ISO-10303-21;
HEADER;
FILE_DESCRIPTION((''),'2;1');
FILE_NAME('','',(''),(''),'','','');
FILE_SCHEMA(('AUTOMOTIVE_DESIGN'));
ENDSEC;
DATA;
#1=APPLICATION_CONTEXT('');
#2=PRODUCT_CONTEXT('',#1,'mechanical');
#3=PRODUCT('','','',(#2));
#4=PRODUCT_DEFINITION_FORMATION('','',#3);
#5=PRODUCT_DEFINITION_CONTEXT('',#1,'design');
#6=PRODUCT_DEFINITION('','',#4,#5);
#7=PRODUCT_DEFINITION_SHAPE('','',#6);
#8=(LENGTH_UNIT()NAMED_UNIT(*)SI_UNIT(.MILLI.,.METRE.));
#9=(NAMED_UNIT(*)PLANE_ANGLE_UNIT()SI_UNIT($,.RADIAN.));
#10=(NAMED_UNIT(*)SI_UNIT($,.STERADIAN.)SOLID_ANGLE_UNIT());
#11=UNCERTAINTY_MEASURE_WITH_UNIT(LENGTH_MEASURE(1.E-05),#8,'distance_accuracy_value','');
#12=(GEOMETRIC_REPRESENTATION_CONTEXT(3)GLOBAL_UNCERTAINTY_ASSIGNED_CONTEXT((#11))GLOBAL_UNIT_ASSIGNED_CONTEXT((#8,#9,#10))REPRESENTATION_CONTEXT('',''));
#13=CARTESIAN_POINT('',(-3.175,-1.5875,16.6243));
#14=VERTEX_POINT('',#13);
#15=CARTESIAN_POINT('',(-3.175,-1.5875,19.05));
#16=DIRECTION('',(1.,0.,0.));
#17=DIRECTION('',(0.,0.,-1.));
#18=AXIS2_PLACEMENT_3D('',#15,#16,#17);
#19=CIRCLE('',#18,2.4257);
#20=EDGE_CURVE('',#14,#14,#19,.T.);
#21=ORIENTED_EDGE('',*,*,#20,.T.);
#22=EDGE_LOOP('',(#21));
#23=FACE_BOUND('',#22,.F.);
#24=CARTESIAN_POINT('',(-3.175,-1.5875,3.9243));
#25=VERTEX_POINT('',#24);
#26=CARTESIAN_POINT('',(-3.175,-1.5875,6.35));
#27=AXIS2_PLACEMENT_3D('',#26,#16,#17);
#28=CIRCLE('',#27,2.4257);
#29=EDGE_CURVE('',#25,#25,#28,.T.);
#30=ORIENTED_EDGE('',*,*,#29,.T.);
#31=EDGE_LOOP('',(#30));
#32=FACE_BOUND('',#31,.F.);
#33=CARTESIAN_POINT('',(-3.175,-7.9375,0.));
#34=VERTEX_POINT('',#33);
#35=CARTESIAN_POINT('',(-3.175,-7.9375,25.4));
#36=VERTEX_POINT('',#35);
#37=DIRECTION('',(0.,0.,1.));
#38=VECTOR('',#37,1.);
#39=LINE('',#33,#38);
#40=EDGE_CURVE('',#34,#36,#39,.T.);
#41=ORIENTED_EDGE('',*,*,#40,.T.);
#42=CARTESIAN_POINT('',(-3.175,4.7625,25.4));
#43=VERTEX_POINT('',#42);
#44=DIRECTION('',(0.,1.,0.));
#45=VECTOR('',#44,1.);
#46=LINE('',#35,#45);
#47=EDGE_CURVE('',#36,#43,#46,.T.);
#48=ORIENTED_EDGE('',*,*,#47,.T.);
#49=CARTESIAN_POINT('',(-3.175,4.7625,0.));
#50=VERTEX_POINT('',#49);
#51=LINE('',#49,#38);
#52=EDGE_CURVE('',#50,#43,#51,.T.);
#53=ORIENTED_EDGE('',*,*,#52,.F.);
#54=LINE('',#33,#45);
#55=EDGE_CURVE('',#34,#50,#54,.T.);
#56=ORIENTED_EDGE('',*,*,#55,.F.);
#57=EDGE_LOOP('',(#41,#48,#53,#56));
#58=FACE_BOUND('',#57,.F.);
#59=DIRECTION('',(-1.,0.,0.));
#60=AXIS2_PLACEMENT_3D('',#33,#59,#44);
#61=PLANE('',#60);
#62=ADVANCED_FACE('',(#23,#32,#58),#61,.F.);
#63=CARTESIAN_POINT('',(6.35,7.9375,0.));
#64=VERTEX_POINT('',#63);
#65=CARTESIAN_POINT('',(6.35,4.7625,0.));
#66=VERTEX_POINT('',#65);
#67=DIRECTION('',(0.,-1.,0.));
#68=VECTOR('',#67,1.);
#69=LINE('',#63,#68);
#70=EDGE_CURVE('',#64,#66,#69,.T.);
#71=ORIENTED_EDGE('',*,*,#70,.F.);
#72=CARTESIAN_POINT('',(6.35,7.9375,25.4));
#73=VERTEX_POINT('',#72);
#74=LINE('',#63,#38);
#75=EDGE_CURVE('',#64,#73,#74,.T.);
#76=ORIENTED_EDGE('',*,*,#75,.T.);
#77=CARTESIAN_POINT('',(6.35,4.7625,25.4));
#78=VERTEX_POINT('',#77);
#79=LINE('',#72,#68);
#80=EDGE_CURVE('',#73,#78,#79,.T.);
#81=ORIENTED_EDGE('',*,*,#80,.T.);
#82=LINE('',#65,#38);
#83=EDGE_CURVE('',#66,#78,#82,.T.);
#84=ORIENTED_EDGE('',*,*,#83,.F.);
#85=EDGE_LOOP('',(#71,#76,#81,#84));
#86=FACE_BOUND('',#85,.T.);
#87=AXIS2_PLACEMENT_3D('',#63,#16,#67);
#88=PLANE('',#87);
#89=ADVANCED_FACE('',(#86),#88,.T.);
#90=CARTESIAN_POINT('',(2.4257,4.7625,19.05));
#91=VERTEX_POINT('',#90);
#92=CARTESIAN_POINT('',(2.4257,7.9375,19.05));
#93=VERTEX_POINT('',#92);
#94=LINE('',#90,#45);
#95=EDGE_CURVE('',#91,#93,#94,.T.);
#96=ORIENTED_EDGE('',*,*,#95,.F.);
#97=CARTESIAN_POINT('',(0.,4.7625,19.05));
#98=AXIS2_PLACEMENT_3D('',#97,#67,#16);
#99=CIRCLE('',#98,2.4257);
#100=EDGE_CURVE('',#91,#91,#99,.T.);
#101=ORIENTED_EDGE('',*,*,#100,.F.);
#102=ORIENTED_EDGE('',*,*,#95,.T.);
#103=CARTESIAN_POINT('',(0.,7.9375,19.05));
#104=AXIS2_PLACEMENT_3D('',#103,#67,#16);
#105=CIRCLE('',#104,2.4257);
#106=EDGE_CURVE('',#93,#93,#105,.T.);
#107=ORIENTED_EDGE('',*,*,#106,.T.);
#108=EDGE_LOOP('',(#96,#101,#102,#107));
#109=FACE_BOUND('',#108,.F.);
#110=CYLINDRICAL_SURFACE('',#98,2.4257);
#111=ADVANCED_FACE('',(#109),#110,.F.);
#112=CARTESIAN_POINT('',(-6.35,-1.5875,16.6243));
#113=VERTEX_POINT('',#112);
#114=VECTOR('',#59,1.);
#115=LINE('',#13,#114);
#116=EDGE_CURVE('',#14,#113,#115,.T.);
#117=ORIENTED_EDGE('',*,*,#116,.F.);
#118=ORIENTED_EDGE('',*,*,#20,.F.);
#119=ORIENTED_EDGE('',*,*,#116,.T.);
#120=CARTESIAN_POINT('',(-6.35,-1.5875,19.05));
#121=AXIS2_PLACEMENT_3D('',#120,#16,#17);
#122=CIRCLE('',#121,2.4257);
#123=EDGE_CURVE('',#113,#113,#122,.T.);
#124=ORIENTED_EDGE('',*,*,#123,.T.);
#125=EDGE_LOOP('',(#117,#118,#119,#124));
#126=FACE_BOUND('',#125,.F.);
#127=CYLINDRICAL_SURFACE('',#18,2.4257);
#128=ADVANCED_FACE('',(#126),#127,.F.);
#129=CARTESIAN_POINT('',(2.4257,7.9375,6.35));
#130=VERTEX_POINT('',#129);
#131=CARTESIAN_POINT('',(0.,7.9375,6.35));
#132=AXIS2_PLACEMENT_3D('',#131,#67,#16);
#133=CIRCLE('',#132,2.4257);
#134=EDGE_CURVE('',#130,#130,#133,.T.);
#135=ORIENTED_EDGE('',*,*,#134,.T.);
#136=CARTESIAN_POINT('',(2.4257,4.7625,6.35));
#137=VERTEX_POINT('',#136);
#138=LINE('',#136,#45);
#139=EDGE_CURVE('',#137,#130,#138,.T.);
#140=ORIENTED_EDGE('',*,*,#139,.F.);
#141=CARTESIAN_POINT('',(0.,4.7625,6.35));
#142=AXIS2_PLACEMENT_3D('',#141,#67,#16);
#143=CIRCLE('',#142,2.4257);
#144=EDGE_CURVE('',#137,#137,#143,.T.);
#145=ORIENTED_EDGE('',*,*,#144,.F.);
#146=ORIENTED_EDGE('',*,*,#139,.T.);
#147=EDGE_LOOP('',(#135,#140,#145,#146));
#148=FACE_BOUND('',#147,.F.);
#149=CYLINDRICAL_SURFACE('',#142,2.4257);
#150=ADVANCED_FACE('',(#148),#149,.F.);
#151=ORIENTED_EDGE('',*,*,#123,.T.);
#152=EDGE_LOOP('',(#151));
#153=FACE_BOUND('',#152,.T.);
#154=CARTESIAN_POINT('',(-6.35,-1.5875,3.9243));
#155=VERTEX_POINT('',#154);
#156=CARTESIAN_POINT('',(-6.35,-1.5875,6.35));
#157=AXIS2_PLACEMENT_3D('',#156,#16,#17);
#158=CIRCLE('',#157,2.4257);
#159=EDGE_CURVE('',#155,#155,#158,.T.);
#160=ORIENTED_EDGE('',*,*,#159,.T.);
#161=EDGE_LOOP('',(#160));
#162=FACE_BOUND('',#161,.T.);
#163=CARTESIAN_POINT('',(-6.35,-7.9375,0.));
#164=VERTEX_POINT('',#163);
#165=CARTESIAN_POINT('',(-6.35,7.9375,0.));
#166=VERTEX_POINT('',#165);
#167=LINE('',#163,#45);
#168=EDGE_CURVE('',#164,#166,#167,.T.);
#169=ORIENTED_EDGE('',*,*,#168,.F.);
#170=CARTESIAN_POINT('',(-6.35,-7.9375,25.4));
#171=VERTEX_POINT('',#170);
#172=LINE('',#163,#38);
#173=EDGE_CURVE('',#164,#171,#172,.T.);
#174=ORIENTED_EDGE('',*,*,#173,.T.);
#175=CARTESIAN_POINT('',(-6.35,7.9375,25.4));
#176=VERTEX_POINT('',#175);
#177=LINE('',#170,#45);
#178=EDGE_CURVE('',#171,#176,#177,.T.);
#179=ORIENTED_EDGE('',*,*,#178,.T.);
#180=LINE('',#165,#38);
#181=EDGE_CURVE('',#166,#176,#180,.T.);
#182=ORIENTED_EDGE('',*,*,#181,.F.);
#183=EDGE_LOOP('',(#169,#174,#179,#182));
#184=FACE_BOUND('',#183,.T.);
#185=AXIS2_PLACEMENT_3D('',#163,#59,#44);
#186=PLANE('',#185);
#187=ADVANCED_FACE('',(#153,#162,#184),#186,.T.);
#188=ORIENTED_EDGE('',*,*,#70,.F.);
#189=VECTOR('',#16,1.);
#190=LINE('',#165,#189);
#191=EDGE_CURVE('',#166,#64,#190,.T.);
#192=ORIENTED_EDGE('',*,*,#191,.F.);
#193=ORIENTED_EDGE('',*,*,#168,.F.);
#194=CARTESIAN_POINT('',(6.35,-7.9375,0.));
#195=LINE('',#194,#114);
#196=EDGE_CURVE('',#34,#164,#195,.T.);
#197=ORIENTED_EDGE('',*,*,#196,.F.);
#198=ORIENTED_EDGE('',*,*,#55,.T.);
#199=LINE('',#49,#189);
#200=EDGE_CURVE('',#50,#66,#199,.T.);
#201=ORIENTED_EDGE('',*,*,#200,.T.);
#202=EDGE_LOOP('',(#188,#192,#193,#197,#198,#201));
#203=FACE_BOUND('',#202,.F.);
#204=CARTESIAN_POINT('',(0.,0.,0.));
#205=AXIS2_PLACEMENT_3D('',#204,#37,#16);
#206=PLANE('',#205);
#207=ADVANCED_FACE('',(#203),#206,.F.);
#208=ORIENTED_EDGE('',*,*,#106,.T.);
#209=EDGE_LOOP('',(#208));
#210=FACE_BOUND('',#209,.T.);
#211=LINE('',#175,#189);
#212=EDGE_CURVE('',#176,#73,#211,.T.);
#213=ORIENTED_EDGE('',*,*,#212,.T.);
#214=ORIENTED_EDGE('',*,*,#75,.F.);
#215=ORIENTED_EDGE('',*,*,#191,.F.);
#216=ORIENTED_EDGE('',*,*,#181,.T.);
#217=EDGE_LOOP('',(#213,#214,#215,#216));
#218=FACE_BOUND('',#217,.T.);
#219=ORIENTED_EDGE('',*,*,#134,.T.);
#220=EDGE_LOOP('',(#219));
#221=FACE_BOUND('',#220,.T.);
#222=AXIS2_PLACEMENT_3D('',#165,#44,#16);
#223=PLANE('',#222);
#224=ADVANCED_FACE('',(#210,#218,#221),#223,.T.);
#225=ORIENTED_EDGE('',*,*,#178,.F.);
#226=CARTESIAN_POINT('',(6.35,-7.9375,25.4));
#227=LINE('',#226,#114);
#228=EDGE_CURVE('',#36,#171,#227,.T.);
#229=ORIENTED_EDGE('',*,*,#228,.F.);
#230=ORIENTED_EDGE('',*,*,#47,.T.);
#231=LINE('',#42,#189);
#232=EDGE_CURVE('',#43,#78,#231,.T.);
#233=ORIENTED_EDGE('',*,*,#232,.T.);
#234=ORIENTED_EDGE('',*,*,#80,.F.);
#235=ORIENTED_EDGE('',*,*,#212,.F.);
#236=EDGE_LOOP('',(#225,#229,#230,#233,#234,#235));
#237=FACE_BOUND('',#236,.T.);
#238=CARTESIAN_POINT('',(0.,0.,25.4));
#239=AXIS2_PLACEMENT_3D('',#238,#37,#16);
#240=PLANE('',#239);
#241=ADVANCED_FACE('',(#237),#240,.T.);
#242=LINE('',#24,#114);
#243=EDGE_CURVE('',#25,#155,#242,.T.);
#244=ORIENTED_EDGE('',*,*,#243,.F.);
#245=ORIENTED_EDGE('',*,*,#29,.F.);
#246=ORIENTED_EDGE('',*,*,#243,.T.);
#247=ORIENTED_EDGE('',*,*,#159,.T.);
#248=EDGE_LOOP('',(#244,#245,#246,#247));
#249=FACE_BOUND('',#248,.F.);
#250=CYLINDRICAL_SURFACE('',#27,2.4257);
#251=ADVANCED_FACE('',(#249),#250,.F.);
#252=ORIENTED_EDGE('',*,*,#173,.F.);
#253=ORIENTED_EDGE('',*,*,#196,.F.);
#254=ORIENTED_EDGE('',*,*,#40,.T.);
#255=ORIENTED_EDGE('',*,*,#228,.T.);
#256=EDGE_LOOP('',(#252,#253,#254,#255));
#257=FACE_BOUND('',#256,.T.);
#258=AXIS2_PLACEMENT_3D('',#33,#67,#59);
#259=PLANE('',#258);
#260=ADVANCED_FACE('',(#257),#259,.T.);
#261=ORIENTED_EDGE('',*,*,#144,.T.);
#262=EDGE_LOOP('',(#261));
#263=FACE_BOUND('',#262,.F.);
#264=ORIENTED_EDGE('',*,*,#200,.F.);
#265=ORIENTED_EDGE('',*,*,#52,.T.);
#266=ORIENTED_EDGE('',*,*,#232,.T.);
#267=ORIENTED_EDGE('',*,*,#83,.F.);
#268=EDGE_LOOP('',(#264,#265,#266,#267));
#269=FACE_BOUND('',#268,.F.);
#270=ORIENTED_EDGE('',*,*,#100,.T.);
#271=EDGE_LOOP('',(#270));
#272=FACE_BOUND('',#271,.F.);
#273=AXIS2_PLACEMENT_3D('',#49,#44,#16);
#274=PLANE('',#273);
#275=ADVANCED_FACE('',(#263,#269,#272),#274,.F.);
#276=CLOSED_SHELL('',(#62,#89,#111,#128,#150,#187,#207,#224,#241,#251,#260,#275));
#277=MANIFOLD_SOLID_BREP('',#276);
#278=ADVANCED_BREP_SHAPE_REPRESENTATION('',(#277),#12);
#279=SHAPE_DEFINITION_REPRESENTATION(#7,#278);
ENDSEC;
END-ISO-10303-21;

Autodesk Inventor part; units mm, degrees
ref_plane "YZ Plane" through (0, 0, 0) normal (1, 0, 0) x (0, 1, 0)
ref_plane "XZ Plane" through (0, 0, 0) normal (0, 1, 0) x (-1, 0, 0)
ref_plane "XY Plane" through (0, 0, 0) normal (0, 0, 1) x (1, 0, 0)
sketch "Sketch1" plane through (0, 0, 0) normal (0, 0, 1) x (1, 0, 0)
  line L0 (6.35, -7.9375) -> (-6.35, -7.9375)
  line L1 (-6.35, -7.9375) -> (-6.35, 7.9375)
  line L2 (-6.35, 7.9375) -> (6.35, 7.9375)
  line L3 (6.35, 7.9375) -> (6.35, -7.9375)
  line L4 (6.35, -7.9375) -> (-6.35, 7.9375) construction
  line L5 (-6.35, -7.9375) -> (6.35, 7.9375) construction
  line L6 (6.35, -7.9375) -> (-3.175, -7.9375)
  line L7 (-3.175, -7.9375) -> (-3.175, 4.7625)
  line L8 (-3.175, 4.7625) -> (6.35, 4.7625)
  line L9 (6.35, 4.7625) -> (6.35, -7.9375)
  point P0 (0, 0)
  point P1 (-3.175, -7.9375)
  dimension "d0" = 12.7
  dimension "d1" = 15.875
  dimension "d2" = 9.525
  dimension "d3" = 12.7
extrude "Extrusion1" add sketch "Sketch1" along normal blind 25.4 contours L0 L1 L2 L3 L8 L7
sketch "Sketch2" plane through (-3.175, 4.7625, 0) normal (0, -1, 0) x (1, 0, 0)
  circle A0 centre (3.175, 19.05) radius 2.4257
  circle A1 centre (3.175, 6.35) radius 2.4257
  line L0 (0, 25.4) -> (9.525, 25.4) projected
  line L1 (0, 0) -> (9.525, 0) projected
  point P0 (3.175, 0)
  point P1 (4.7625, 25.4)
  dimension "d6" = 4.8514
  dimension "d7" = 4.8514
  dimension "d8" = 6.35
  dimension "d9" = 6.35
extrude "Extrusion2" cut sketch "Sketch2" against normal blind 25.4
sketch "Sketch3" plane through (-3.175, -7.9375, 0) normal (1, 0, 0) x (0, 0, -1)
  circle A0 centre (-6.35, 6.35) radius 2.4257
  circle A1 centre (-19.05, 6.35) radius 2.4257
  line L0 (-25.4, 0) -> (-25.4, 12.7) projected
  line L1 (0, 0) -> (0, 12.7) projected
  point P0 (0, 7.9375)
  dimension "d12" = 4.8514
  dimension "d13" = 4.8514
  dimension "d14" = 6.35
  dimension "d15" = 6.35
extrude "Extrusion3" cut sketch "Sketch3" against normal blind 25.4
properties part number "Gusset" material "Stainless Steel"
